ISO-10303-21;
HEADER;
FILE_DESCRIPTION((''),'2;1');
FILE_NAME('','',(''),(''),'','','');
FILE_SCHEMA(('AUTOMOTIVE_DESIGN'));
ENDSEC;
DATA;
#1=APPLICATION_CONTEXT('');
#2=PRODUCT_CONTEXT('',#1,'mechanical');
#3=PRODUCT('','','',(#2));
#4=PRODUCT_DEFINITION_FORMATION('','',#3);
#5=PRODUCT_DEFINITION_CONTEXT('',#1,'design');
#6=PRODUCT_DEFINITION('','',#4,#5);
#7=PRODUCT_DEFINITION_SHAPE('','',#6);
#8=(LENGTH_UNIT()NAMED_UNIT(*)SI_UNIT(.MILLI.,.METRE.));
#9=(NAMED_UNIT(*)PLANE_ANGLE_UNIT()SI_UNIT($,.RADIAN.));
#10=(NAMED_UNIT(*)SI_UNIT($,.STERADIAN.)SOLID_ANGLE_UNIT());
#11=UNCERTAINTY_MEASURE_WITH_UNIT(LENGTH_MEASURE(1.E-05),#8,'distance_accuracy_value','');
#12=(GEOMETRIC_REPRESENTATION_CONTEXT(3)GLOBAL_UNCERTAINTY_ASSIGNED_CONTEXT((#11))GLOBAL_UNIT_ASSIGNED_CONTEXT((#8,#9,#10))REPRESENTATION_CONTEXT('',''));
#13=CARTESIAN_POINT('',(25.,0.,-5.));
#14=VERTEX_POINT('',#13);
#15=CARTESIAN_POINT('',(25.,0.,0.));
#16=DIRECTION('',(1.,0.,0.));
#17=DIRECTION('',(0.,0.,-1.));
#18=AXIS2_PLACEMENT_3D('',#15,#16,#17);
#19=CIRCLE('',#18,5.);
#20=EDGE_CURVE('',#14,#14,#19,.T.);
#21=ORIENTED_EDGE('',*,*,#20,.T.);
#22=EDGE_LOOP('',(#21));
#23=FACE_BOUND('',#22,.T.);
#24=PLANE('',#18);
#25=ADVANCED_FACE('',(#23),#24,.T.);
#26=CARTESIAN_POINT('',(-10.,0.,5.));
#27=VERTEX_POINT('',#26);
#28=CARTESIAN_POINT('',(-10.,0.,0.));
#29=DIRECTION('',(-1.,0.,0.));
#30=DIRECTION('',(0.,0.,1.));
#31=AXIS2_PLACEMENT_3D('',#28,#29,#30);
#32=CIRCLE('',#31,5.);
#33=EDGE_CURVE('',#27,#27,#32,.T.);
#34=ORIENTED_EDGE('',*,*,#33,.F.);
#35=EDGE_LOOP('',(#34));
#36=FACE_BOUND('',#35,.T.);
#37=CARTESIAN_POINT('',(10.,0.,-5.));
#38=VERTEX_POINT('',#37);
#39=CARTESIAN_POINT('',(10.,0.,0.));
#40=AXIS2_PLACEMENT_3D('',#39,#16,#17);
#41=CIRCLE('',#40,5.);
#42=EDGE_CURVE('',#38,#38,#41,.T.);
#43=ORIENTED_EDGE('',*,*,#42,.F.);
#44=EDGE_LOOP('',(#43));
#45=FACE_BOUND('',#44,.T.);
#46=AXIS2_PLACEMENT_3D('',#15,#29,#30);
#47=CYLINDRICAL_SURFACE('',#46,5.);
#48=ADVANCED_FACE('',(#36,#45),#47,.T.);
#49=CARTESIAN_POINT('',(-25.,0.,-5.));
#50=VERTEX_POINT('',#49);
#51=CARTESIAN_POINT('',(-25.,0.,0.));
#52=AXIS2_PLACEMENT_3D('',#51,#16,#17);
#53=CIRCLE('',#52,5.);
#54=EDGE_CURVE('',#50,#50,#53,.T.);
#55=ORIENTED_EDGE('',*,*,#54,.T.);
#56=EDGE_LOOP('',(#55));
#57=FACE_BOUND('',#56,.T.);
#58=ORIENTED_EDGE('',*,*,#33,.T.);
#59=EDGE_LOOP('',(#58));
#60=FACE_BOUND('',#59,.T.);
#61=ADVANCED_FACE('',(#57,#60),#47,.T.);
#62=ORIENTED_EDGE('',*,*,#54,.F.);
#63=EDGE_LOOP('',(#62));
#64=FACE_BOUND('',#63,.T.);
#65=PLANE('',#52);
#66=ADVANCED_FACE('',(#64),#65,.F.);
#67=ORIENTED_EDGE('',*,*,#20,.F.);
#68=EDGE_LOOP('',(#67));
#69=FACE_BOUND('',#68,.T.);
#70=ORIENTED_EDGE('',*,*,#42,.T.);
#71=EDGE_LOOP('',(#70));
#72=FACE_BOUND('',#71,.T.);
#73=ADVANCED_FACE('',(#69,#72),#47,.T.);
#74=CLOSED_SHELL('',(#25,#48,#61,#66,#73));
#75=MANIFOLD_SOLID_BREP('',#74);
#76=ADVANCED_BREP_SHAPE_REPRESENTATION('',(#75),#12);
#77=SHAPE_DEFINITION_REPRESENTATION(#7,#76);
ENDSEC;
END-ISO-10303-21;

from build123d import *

# Parameters (mm, degrees)
SKIZZE1_R                       = 5
AUFSATZ_LINEAR_AUSTRAGEN1_DEPTH = 25


with BuildPart() as part:
    # Skizze1 → Aufsatz-Linear austragen1 (new body, symmetric)
    with BuildSketch(Plane(origin=(0, 0, 0), x_dir=(0, 0, -1), z_dir=(1, 0, 0))):
        Circle(SKIZZE1_R)
    extrude(amount=AUFSATZ_LINEAR_AUSTRAGEN1_DEPTH, both=True)


solid = part.part
